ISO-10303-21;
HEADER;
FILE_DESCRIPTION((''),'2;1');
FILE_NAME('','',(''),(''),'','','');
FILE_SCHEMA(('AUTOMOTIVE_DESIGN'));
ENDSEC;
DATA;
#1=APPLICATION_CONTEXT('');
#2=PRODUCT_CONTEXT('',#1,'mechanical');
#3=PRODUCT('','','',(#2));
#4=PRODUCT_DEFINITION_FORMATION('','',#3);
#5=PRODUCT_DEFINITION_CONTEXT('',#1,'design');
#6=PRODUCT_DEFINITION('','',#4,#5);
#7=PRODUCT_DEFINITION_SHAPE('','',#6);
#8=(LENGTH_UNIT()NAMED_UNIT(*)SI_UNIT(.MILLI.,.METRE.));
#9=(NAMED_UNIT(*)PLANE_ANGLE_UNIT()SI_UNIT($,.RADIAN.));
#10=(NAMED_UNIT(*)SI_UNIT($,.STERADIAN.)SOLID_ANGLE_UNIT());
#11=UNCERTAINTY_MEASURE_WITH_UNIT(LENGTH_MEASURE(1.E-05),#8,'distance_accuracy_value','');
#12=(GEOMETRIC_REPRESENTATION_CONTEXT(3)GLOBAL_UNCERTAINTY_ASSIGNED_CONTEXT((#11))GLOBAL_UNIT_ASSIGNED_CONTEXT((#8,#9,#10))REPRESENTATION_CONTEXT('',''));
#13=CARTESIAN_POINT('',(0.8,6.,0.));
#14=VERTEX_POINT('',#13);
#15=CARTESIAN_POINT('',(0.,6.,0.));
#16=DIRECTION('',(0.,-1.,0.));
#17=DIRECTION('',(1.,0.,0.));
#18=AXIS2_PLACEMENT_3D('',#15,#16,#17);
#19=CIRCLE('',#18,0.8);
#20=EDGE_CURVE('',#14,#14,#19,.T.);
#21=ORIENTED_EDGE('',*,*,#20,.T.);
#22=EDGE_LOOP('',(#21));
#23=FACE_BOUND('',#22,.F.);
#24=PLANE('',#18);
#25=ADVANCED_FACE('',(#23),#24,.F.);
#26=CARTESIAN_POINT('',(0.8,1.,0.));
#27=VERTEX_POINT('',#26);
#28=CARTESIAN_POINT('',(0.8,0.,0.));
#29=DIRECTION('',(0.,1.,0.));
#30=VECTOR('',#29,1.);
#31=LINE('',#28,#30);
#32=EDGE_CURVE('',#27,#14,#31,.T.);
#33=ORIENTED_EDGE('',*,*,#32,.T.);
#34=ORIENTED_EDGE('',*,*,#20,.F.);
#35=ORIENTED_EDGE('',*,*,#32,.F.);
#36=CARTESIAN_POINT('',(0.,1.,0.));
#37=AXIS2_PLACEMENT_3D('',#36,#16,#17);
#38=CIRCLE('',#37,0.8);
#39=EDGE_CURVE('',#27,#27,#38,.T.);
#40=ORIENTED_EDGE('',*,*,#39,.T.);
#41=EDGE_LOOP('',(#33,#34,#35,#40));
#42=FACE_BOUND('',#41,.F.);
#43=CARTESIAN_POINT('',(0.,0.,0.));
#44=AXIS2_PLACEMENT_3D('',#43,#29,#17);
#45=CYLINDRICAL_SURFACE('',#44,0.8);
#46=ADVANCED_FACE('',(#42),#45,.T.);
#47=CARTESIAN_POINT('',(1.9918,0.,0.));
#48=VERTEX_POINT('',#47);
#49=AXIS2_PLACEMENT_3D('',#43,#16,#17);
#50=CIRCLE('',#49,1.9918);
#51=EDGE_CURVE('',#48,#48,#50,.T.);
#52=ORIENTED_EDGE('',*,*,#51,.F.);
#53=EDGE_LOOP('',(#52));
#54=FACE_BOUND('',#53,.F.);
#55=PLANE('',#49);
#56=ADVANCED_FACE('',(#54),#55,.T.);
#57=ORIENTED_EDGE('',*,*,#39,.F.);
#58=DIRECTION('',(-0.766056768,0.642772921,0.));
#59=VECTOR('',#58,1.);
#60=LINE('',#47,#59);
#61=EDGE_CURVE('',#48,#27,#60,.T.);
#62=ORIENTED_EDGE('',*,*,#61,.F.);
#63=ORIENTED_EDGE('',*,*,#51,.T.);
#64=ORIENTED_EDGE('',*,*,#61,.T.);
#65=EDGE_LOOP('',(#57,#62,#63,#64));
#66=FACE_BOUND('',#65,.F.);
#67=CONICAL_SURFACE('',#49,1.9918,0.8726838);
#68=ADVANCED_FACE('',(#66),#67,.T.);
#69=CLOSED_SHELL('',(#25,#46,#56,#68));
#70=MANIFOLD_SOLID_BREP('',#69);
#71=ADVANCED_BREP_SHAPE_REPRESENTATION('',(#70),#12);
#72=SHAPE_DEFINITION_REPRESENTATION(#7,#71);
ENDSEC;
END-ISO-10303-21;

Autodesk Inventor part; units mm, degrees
ref_plane "YZ Plane" through (0, 0, 0) normal (1, 0, 0) x (0, 1, 0)
ref_plane "XZ Plane" through (0, 0, 0) normal (0, 1, 0) x (-1, 0, 0)
ref_plane "XY Plane" through (0, 0, 0) normal (0, 0, 1) x (1, 0, 0)
sketch "スケッチ1" plane through (0, 0, 0) normal (0, 0, 1) x (1, 0, 0)
  line L0 (0, 0) -> (0.8, 0)
  line L1 (0.8, 0) -> (0.8, 6)
  line L2 (0.8, 6) -> (0, 6)
  line L3 (0, 6) -> (0, 0)
  line L4 (0.8, 0) -> (1.9918, 0)
  line L5 (1.9918, 0) -> (0.8, 1)
  dimension "d0" = 0.8
  dimension "d1" = 40
  dimension "d2" = 1
  dimension "d3" = 5
revolve "回転1" add sketch "スケッチ1" angle 360 about axis through (0, 6, 0) along (0, -1, 0)
properties part number "neji"
